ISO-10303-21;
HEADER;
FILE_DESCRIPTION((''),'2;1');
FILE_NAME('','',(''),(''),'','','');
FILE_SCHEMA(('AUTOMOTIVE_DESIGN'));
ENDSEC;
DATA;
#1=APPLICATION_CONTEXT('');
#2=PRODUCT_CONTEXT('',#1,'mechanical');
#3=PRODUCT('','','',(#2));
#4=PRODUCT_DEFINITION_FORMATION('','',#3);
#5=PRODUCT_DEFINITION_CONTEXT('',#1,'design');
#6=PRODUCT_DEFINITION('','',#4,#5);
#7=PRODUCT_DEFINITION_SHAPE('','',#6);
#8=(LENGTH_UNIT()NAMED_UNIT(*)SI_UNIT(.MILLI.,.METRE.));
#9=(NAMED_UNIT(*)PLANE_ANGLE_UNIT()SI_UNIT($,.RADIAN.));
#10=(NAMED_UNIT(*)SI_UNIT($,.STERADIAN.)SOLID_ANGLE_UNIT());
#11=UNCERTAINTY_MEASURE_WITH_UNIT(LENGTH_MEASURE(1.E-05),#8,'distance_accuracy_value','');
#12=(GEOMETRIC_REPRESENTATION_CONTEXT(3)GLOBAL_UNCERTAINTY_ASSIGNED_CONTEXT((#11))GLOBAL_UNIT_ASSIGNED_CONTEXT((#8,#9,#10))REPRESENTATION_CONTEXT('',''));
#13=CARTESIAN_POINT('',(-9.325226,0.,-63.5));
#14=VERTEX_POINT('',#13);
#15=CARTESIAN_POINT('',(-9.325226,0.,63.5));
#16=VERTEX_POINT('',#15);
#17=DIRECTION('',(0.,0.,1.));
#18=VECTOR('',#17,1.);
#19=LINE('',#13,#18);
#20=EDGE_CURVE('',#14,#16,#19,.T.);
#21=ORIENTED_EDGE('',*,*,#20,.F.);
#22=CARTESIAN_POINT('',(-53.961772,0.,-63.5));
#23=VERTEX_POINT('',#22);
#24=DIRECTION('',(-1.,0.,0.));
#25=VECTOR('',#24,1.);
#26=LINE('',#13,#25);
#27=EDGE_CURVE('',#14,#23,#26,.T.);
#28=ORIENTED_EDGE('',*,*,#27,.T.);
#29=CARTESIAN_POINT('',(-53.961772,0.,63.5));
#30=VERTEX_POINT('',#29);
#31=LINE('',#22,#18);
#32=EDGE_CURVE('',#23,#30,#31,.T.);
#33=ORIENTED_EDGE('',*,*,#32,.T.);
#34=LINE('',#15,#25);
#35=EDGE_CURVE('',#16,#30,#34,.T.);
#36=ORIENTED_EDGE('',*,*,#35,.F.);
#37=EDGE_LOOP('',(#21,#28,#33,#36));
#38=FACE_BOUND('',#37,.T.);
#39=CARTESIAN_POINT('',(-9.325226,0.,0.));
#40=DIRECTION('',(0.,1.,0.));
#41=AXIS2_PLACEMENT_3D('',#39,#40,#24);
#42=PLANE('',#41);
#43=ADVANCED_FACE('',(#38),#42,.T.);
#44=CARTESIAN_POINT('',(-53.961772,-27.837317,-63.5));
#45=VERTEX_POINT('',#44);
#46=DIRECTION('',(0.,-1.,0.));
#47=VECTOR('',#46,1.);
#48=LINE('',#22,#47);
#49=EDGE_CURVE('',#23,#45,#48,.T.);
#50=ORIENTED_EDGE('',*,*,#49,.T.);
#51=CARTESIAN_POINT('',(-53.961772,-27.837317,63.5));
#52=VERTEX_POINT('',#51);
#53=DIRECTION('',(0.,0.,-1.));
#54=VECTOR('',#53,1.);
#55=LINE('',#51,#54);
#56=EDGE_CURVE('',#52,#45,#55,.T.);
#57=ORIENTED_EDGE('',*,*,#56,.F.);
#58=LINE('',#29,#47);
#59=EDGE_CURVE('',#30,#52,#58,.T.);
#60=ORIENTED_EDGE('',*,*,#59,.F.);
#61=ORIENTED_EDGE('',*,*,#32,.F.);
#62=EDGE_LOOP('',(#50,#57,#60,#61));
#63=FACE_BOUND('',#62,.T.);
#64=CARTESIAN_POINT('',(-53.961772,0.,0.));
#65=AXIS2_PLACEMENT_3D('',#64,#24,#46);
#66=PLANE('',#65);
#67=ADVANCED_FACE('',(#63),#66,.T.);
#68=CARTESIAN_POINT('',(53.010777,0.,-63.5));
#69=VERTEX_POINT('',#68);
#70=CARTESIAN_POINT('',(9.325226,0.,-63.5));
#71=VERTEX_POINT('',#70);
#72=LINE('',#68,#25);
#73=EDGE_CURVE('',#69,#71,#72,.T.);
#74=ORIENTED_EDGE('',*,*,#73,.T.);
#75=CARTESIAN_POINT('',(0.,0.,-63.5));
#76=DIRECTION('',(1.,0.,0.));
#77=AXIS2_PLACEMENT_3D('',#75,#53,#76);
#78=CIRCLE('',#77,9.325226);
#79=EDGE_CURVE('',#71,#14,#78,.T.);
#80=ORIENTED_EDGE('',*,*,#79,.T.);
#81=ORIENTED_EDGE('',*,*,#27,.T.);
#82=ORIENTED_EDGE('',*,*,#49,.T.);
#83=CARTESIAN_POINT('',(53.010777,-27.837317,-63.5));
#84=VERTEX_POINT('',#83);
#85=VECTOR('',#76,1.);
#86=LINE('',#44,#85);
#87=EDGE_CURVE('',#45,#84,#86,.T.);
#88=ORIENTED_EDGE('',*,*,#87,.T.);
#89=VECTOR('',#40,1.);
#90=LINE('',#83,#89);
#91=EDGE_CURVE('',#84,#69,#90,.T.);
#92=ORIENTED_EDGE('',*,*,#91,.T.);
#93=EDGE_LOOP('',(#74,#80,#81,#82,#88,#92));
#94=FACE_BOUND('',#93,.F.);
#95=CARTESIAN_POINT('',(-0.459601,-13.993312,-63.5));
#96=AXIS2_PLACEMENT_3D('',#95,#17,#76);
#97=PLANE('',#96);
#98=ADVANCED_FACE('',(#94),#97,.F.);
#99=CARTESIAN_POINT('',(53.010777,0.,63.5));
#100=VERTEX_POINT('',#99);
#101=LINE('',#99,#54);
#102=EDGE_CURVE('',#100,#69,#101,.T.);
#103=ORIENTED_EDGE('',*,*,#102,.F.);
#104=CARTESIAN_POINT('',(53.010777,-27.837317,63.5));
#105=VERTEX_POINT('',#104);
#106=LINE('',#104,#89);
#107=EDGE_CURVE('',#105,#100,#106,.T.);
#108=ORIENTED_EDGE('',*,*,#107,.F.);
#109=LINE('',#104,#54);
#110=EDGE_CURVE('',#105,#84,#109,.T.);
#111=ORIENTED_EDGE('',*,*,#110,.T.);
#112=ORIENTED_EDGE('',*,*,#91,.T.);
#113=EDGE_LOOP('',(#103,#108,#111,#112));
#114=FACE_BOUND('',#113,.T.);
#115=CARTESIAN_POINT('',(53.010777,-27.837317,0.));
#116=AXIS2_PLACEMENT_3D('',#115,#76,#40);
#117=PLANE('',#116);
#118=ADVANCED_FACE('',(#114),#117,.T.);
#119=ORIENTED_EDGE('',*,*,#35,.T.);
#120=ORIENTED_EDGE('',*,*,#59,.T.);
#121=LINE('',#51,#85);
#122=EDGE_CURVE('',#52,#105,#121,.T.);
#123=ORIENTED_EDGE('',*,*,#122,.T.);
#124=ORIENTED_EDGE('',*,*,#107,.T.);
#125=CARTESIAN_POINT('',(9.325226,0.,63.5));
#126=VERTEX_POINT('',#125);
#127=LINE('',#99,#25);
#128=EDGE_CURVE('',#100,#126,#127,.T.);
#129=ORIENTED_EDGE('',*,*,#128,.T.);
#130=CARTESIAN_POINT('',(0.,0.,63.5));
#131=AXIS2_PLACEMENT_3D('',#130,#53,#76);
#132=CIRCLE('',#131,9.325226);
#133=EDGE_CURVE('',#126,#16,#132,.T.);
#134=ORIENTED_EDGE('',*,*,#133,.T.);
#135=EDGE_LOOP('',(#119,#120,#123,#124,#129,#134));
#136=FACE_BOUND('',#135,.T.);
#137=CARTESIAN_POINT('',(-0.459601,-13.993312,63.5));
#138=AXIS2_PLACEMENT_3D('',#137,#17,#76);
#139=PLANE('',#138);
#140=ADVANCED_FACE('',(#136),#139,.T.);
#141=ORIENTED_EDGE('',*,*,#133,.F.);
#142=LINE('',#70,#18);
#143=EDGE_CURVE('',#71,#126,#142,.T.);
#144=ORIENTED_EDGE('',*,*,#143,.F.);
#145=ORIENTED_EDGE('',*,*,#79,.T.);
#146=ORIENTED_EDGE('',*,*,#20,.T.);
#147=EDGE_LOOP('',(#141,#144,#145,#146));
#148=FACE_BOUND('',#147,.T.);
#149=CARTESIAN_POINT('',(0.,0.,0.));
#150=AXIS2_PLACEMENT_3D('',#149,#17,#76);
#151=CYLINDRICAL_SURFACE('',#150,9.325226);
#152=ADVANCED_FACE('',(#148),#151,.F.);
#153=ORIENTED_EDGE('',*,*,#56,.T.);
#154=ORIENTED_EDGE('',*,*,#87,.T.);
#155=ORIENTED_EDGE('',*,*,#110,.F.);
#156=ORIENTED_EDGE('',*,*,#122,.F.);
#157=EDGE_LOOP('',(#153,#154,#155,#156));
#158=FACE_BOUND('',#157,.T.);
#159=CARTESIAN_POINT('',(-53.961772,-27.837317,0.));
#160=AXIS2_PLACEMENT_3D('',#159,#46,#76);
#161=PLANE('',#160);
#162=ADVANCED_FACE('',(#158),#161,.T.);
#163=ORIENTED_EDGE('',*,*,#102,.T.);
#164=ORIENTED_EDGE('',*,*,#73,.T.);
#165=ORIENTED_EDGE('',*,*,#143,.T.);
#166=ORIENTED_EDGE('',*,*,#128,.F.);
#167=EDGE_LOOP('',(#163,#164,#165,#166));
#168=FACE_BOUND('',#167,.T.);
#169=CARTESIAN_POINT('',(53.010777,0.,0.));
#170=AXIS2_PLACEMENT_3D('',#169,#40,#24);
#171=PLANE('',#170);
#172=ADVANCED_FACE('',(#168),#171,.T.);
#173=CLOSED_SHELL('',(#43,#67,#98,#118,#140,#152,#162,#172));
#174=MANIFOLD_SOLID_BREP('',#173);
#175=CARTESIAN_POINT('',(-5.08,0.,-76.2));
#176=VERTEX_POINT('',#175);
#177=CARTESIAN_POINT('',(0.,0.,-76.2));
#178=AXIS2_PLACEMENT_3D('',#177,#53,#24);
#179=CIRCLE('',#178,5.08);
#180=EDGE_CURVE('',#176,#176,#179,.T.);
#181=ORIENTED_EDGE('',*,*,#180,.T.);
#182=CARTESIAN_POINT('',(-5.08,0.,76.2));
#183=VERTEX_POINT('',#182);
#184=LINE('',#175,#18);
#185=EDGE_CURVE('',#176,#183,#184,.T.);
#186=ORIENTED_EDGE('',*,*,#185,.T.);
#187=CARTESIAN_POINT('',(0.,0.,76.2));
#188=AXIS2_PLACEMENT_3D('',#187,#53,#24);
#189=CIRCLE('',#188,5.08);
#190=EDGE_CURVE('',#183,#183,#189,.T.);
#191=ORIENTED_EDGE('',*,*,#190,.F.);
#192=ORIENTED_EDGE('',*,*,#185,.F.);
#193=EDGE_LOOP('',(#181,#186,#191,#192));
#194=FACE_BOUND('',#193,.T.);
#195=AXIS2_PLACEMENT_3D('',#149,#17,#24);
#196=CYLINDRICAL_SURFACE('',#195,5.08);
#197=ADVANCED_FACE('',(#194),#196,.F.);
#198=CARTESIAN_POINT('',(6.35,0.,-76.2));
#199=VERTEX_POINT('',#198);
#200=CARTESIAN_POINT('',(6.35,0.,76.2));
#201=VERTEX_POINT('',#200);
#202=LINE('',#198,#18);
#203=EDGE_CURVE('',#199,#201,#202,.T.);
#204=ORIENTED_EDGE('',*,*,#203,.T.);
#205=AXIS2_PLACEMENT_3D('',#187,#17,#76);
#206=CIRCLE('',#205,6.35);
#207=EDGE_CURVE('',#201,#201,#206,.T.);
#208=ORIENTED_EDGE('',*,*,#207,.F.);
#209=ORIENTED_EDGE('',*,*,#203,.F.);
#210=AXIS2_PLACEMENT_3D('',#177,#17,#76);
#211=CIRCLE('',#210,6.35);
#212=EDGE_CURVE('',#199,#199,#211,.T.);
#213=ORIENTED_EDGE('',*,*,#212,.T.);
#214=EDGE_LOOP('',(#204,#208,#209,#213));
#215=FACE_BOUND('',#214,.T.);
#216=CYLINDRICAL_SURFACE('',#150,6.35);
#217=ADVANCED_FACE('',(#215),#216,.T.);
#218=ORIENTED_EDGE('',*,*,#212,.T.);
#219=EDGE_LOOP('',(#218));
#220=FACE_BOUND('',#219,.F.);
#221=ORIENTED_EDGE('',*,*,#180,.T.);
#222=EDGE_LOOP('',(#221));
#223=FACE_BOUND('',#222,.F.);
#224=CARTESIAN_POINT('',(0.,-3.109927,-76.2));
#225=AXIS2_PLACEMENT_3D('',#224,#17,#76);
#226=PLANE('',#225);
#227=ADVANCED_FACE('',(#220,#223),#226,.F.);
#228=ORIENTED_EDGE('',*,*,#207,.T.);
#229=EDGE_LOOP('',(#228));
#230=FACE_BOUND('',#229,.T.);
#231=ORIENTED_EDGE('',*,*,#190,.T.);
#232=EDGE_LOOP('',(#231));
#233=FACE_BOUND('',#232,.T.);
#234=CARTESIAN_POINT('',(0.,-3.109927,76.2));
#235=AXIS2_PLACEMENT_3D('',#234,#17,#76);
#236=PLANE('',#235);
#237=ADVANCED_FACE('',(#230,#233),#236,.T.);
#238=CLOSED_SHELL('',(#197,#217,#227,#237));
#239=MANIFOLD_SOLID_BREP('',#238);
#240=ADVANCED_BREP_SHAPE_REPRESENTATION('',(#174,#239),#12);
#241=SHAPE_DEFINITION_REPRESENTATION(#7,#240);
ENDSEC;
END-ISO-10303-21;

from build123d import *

# Parameters (mm, degrees)
F2_DEPTH = 63.5
F3_DEPTH = 76.2


with BuildPart() as f2:
    # F1 (on face) → F2 (new body, symmetric)
    with BuildSketch(Plane.XY):
        with BuildLine():
            Line((53.010777, 0), (9.325226, 0))
            ThreePointArc((9.325226, 0), (0, -9.325226), (-9.325226, 0))
            Line((-9.325226, 0), (-53.961772, 0))
            Line((-53.961772, 0), (-53.961772, -27.837317))
            Line((-53.961772, -27.837317), (53.010777, -27.837317))
            Line((53.010777, -27.837317), (53.010777, 0))
        make_face()
    extrude(amount=F2_DEPTH, both=True)


with BuildPart() as f3:
    # F0 (on Top) → F3 (new body, symmetric)
    with BuildSketch(Plane.XY):
        with BuildLine():
            Line((6.35, 0), (5.08, 0))
            ThreePointArc((5.08, 0), (0, -5.08), (-5.08, 0))
            Line((-5.08, 0), (-6.35, 0))
            ThreePointArc((-6.35, 0), (0, -6.35), (6.35, 0))
        make_face()
        with BuildLine():
            ThreePointArc((-5.08, 0), (0, 5.08), (5.08, 0))
            Line((5.08, 0), (6.35, 0))
            ThreePointArc((6.35, 0), (0, 6.35), (-6.35, 0))
            Line((-6.35, 0), (-5.08, 0))
        make_face()
    extrude(amount=F3_DEPTH, both=True)


solid = Compound([f2.part, f3.part])
